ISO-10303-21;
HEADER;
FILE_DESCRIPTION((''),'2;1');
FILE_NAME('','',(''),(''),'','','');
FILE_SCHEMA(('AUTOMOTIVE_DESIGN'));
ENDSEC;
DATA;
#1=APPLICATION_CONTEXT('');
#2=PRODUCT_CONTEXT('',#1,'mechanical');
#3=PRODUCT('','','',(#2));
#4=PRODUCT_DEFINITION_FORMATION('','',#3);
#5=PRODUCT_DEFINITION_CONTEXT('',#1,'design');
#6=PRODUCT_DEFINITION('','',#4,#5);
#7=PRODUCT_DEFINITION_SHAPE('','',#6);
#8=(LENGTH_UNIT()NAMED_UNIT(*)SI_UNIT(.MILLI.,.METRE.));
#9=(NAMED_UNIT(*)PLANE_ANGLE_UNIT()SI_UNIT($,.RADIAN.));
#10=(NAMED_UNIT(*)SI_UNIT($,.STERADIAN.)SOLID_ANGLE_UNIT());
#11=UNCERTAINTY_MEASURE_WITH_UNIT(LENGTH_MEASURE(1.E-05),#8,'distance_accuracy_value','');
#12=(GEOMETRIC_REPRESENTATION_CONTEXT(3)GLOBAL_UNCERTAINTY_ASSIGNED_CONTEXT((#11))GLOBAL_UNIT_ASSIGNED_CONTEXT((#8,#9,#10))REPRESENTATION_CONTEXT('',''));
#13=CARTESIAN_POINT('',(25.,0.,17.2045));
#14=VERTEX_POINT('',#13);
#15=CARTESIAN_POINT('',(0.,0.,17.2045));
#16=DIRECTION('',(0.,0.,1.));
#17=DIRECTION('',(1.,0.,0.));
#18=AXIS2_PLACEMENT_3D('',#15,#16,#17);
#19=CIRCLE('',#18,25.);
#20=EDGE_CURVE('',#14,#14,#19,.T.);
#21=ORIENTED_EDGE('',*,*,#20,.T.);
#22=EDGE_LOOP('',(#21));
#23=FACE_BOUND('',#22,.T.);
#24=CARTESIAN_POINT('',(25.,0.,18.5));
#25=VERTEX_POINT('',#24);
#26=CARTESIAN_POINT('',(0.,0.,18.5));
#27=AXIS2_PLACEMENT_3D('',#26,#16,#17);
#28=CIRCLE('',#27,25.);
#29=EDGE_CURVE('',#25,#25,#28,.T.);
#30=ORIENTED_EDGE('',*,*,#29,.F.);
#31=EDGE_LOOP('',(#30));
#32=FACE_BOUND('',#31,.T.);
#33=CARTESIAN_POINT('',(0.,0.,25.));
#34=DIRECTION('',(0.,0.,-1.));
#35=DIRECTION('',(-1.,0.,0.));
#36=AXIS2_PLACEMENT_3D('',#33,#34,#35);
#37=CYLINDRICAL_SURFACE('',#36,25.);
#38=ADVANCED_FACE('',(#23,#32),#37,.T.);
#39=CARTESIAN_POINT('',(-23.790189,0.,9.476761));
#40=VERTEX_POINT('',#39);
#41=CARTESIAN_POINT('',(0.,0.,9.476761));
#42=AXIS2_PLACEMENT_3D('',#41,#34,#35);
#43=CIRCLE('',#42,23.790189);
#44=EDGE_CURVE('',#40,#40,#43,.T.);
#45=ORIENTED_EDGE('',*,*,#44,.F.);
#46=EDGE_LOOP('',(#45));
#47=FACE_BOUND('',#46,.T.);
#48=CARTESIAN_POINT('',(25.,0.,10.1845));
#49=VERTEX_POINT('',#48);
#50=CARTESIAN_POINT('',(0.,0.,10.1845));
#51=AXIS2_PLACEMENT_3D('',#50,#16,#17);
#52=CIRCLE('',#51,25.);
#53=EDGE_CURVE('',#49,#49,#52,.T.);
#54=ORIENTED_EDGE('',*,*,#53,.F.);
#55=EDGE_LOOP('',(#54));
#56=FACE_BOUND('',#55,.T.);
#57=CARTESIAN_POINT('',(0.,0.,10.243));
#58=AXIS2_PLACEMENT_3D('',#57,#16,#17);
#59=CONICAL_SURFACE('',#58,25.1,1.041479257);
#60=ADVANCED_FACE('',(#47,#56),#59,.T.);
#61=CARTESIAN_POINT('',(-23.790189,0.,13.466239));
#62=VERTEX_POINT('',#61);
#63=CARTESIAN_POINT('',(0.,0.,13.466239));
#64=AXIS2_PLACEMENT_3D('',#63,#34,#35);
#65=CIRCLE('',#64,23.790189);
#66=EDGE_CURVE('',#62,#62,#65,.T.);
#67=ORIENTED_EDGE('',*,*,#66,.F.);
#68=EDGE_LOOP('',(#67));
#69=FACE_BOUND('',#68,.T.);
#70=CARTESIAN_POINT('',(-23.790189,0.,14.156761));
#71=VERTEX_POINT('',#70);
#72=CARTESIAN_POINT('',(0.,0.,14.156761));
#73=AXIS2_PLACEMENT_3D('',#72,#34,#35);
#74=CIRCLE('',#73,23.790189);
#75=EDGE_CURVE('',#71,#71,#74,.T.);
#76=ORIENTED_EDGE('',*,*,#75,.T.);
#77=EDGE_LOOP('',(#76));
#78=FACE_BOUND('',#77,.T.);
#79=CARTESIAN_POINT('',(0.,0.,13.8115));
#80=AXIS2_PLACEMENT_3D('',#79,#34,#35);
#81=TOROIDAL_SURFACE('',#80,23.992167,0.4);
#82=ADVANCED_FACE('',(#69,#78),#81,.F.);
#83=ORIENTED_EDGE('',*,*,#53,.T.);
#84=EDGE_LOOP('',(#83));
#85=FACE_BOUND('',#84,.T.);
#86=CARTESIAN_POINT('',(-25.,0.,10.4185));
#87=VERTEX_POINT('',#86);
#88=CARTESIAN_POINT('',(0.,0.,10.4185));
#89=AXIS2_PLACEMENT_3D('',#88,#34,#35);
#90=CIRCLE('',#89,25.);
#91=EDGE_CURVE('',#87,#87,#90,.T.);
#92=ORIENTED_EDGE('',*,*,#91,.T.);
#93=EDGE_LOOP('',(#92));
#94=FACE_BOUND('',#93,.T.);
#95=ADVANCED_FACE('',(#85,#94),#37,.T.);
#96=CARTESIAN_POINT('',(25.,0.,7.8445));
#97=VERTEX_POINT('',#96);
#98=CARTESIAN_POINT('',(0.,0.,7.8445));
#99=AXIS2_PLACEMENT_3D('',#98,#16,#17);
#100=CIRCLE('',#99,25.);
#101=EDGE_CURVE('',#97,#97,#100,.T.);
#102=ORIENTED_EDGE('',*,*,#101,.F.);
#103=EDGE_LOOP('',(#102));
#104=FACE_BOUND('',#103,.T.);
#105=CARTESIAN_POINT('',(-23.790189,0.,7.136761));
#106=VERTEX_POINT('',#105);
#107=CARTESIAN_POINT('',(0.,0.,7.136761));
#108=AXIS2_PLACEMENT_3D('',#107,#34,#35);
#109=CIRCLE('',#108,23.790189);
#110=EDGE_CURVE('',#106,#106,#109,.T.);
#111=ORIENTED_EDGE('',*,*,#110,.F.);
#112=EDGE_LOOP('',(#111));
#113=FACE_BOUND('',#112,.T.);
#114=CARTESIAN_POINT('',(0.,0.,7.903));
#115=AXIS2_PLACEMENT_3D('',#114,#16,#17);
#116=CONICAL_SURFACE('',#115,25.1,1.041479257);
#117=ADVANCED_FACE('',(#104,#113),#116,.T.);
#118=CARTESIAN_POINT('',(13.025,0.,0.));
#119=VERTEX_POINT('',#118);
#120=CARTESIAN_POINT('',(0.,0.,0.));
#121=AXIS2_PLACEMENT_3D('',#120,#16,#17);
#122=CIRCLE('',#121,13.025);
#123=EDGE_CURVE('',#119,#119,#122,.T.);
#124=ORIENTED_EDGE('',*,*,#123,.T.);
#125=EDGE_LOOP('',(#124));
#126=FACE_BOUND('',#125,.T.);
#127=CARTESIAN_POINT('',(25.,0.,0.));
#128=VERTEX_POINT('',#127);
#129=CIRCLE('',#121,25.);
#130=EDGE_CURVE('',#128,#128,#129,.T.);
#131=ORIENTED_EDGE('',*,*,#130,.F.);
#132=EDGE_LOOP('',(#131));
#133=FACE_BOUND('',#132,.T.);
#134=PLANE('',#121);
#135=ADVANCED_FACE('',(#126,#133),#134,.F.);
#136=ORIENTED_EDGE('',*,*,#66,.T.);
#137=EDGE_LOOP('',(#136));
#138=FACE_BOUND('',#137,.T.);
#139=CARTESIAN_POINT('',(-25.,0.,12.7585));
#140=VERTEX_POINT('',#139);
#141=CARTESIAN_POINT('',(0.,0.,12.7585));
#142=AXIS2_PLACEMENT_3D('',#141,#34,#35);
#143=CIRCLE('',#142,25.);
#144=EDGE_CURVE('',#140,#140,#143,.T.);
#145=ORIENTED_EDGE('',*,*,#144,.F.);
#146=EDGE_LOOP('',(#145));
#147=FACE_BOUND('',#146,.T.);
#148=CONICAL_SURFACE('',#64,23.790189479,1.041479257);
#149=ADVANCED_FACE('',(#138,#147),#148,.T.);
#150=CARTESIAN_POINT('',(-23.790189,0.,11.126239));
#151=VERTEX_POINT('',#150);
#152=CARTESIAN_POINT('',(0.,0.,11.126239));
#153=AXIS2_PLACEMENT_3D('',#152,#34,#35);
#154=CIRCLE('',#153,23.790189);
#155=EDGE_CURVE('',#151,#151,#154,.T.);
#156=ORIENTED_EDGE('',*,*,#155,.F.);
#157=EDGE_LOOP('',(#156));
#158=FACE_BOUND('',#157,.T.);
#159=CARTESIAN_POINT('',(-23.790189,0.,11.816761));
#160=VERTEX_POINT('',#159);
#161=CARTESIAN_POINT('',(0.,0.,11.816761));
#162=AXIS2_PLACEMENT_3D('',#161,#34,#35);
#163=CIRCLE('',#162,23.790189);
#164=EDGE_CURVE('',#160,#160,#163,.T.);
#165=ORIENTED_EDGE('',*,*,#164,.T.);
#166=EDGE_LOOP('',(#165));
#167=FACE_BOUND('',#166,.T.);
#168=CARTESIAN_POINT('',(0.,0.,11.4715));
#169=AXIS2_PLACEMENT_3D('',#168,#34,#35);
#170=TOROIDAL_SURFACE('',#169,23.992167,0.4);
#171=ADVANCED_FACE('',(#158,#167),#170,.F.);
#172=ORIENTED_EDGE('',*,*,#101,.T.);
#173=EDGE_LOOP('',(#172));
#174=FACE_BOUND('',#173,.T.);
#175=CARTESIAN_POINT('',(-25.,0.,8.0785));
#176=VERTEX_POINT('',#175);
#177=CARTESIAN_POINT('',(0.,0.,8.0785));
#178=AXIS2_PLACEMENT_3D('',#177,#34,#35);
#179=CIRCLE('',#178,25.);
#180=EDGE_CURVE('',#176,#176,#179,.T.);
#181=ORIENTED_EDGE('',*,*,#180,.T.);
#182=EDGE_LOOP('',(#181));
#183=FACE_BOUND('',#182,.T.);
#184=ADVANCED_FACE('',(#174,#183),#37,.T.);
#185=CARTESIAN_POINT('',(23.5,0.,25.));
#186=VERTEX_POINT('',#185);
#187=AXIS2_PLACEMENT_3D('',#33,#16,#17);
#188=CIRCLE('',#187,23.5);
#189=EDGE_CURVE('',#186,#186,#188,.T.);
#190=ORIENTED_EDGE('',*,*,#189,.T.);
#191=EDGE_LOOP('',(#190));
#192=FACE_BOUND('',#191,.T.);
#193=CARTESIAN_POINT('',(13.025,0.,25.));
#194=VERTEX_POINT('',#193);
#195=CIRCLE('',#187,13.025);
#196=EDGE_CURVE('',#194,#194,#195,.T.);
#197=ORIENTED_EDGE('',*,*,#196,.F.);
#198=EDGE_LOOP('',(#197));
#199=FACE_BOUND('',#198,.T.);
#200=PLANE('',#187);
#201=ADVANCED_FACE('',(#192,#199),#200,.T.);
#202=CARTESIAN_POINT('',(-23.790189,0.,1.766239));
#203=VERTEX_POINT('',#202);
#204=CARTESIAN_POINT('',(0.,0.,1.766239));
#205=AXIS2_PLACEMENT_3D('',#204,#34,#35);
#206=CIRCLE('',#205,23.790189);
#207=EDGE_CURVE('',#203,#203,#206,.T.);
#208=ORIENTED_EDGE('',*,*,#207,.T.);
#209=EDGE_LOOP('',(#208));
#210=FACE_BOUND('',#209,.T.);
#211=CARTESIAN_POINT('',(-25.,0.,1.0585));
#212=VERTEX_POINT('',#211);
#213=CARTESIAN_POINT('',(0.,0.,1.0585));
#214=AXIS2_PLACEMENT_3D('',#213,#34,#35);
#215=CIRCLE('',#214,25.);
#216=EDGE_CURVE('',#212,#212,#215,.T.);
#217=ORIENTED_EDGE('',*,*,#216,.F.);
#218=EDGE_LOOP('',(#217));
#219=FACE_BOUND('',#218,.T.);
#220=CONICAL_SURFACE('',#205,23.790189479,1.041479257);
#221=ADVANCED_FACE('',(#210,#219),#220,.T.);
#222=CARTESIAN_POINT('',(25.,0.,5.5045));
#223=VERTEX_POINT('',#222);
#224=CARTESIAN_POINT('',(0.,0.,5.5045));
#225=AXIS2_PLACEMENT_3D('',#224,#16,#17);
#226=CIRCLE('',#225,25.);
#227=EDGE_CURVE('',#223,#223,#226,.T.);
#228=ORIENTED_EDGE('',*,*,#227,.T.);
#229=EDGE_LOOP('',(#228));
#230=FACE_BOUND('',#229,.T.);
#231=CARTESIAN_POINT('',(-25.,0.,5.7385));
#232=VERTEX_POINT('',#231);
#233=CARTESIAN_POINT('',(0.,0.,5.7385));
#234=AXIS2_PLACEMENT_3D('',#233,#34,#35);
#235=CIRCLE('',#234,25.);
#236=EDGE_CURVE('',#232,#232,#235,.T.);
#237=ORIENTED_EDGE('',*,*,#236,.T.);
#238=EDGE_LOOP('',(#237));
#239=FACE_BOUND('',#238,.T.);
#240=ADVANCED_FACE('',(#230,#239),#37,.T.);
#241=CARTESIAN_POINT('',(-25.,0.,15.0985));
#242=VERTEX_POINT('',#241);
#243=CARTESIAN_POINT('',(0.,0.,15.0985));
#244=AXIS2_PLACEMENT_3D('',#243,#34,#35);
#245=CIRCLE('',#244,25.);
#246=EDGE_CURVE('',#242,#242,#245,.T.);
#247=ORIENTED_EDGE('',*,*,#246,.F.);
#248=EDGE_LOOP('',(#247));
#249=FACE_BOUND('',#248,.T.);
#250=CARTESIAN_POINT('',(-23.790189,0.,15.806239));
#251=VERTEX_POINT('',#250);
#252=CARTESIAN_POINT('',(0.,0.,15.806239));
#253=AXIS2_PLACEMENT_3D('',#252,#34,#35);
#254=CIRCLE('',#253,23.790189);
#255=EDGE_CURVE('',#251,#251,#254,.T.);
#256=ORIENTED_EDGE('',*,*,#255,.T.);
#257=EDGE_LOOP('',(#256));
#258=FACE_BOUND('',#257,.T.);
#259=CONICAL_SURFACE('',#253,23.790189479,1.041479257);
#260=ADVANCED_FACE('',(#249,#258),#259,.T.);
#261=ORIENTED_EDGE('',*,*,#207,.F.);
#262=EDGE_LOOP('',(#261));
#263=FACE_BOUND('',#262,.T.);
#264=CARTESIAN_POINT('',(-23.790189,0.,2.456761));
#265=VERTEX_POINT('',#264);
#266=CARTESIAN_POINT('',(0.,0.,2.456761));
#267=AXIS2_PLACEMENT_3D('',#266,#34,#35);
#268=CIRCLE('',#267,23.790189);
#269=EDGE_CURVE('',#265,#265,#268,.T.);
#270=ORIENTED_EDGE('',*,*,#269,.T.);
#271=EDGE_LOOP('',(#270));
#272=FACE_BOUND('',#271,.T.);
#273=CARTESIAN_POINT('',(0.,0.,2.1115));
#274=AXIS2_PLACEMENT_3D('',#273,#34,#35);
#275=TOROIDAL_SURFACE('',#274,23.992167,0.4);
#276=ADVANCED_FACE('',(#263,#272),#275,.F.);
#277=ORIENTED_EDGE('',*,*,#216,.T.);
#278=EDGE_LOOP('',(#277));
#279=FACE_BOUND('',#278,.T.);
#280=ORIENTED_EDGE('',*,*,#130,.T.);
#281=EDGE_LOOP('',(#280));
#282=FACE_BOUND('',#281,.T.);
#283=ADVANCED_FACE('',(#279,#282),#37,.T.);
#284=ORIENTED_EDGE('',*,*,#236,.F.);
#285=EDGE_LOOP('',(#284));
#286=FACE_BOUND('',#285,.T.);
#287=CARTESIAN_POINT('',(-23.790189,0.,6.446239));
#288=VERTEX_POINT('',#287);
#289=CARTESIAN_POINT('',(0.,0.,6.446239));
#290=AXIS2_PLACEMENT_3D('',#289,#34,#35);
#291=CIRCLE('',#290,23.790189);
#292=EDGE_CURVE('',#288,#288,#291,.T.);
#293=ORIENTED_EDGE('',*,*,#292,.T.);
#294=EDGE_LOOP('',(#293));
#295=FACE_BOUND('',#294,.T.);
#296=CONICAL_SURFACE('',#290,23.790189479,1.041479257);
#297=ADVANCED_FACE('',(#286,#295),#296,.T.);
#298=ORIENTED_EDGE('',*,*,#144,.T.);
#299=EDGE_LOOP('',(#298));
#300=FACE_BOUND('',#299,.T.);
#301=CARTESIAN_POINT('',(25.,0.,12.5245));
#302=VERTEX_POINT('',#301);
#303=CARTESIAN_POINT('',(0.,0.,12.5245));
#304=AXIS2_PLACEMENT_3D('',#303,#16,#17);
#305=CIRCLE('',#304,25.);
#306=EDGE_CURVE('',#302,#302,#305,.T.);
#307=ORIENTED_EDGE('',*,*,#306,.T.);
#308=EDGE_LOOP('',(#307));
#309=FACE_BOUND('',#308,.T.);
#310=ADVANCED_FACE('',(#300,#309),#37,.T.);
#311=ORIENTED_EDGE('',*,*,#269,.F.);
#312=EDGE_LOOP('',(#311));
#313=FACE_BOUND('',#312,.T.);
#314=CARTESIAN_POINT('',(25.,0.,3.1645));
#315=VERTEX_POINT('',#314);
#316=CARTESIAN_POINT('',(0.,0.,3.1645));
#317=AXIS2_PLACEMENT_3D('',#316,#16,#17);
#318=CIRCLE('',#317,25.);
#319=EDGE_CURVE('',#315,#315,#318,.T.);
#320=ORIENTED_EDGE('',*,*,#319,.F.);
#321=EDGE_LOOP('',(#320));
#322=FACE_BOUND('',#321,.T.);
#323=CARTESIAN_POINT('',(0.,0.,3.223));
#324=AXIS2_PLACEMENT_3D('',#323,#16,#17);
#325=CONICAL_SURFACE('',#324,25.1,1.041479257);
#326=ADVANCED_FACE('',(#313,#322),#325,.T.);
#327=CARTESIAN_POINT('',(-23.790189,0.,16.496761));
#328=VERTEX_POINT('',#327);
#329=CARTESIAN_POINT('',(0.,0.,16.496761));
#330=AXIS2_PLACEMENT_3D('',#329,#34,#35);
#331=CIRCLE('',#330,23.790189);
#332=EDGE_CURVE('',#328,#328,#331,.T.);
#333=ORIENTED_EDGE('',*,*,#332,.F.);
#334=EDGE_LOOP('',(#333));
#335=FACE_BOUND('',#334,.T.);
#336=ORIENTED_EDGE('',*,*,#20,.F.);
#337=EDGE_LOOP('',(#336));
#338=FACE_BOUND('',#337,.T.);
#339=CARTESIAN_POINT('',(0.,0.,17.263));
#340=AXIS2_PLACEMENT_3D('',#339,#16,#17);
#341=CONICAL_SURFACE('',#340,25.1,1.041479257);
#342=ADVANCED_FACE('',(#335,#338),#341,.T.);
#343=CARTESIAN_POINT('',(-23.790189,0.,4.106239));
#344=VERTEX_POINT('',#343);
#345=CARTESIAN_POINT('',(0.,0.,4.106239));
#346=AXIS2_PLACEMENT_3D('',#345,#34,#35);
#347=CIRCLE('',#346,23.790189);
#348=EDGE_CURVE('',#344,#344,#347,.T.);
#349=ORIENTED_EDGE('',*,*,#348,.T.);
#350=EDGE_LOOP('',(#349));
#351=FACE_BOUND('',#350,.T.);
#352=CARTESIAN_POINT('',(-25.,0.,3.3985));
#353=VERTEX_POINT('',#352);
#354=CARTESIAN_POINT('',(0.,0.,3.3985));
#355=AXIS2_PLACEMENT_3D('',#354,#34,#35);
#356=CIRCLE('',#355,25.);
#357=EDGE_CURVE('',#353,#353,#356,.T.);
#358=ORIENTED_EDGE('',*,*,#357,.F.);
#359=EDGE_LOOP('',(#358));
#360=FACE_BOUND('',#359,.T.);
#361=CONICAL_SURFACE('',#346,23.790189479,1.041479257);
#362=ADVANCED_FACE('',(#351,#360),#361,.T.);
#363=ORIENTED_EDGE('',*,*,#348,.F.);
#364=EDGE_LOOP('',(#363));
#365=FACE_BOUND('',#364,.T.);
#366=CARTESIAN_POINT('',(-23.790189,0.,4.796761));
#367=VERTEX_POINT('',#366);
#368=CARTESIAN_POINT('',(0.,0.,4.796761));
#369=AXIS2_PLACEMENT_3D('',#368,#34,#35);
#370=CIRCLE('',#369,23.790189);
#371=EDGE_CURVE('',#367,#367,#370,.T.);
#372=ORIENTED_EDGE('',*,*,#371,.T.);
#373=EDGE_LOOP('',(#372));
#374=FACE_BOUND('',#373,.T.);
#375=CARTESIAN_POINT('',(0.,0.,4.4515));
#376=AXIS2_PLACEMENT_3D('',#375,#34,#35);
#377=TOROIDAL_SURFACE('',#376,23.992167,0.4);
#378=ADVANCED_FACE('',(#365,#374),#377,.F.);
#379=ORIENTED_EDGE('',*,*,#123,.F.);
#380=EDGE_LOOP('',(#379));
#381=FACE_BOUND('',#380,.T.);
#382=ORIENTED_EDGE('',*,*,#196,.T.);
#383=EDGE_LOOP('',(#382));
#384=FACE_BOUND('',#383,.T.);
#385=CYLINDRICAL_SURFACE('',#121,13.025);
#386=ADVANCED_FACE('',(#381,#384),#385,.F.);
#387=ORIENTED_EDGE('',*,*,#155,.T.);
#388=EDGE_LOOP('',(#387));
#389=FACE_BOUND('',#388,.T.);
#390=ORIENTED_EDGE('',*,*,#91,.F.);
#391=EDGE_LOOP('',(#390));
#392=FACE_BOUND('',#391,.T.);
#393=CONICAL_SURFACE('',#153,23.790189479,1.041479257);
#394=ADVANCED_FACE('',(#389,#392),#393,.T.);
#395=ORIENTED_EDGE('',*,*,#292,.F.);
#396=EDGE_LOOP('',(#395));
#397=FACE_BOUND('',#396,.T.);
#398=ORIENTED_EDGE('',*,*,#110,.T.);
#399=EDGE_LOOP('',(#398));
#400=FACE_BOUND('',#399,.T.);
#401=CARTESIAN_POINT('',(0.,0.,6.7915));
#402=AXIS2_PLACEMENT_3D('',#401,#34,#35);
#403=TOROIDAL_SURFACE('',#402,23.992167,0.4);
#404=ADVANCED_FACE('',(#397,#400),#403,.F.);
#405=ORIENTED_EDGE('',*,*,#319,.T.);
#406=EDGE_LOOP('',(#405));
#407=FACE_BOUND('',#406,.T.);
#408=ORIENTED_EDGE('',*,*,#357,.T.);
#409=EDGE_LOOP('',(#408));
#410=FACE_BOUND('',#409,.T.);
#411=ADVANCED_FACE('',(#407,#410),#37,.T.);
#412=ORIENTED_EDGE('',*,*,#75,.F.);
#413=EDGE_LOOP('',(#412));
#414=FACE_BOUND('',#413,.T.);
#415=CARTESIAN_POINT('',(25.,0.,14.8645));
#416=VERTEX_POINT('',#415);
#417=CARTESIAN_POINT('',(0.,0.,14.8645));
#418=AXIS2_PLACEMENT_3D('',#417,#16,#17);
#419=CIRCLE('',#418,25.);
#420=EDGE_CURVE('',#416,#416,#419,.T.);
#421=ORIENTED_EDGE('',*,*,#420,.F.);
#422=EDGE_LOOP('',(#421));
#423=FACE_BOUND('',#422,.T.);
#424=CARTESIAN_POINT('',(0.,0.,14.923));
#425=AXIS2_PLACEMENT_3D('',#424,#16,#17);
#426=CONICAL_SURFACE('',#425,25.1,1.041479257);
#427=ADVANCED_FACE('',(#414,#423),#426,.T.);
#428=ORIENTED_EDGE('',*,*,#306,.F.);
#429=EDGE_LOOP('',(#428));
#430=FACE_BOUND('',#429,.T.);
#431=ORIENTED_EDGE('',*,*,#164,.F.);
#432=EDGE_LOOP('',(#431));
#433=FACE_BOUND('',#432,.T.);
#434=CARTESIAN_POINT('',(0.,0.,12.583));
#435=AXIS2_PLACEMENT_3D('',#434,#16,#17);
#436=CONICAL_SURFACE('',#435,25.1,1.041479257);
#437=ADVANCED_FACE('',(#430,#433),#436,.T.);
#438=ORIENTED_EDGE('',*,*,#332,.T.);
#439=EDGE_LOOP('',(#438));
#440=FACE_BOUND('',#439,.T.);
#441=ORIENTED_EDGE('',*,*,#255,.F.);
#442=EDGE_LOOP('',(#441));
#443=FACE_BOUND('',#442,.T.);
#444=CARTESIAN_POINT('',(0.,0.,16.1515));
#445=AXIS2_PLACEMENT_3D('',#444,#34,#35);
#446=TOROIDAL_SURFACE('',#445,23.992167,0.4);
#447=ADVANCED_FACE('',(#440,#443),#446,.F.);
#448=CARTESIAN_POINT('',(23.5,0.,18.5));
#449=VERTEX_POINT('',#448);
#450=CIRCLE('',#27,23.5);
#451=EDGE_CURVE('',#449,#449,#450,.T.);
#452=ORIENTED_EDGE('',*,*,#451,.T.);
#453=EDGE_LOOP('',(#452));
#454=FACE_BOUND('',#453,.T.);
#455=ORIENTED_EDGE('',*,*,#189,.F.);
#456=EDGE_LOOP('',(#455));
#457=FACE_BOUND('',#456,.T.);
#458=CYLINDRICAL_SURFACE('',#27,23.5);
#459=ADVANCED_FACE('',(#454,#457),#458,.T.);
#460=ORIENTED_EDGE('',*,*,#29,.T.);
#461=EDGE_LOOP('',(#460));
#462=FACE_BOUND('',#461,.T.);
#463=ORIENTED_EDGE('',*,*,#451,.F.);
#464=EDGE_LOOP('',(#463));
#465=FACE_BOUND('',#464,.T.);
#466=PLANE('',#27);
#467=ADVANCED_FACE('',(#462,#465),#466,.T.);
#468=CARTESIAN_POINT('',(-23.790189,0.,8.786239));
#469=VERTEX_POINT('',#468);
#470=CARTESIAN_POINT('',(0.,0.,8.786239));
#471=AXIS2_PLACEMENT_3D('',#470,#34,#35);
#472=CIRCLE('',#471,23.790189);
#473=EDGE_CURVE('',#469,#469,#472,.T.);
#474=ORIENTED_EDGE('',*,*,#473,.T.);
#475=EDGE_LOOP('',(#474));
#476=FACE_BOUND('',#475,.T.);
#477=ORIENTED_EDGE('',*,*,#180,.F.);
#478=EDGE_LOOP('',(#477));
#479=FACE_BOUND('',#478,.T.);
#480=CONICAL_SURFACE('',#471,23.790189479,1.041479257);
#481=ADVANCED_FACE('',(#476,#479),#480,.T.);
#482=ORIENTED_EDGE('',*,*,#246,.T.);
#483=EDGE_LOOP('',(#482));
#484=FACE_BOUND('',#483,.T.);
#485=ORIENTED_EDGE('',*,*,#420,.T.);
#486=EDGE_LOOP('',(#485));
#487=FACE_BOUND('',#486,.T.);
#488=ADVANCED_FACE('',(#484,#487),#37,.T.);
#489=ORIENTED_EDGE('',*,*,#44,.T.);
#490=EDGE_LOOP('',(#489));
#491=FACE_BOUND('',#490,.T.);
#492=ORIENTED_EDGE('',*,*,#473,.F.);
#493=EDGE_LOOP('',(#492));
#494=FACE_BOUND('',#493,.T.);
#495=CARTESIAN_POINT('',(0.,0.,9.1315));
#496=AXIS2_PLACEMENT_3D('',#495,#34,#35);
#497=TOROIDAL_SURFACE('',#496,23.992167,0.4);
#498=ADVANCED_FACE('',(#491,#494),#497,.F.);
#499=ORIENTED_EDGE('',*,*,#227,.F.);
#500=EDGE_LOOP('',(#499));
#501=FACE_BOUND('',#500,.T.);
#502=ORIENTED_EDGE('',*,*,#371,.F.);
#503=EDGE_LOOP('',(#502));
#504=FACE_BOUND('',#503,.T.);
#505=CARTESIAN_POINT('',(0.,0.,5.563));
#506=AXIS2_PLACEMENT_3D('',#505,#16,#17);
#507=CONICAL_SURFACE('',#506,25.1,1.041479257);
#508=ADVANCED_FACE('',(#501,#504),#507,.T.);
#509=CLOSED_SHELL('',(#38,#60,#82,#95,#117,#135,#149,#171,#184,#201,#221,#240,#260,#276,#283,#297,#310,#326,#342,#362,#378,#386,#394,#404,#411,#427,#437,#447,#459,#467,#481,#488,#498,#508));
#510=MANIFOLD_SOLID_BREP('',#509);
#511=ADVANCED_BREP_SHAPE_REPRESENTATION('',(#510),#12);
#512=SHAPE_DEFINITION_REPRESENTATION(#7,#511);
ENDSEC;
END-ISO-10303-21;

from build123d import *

# Parameters (mm, degrees)
SKETCH_1_R          = 25
EXTRUDE_1_DEPTH     = 25
SKETCH_2_R          = 25
SKETCH_2_R_2        = 23.5
CUT_EXTRUDE_1_DEPTH = 6.5
SKETCH_3_R          = 13.025
CUT_EXTRUDE_2_DEPTH = 25


with BuildPart() as part:
    # 草图1 → 凸台-拉伸1 (new body)
    with BuildSketch(Plane.XY):
        Circle(SKETCH_1_R)
    extrude(amount=EXTRUDE_1_DEPTH)

    # 草图2 → 切除-拉伸1 (cut)
    with BuildSketch(Plane.XY.offset(25)):
        Circle(SKETCH_2_R)
        Circle(SKETCH_2_R_2, mode=Mode.SUBTRACT)
    extrude(amount=-CUT_EXTRUDE_1_DEPTH, mode=Mode.SUBTRACT)

    # 草图3 → 切除-拉伸2 (cut)
    with BuildSketch(Plane.XY.offset(25)):
        Circle(SKETCH_3_R)
    extrude(amount=-CUT_EXTRUDE_2_DEPTH, mode=Mode.SUBTRACT)

    # 草图4 → 切除-旋转2 (revolve, cut)
    with BuildSketch(Plane(origin=(0, 0, 0), x_dir=(0, 0, -1), z_dir=(1, 0, 0))):
        with BuildLine():
            Line((-3.223, 25.1), (-1, 25.1))
            Line((-1, 25.1), (-1.766239155, 23.790189479))
            ThreePointArc((-1.766239155, 23.790189479), (-2.1115, 23.592167074), (-2.456760845, 23.790189479))
            Line((-2.456760845, 23.790189479), (-3.223, 25.1))
        make_face()
        with BuildLine():
            Line((-5.563, 25.1), (-3.34, 25.1))
            Line((-3.34, 25.1), (-4.106239155, 23.790189479))
            ThreePointArc((-4.106239155, 23.790189479), (-4.4515, 23.592167074), (-4.796760845, 23.790189479))
            Line((-4.796760845, 23.790189479), (-5.563, 25.1))
        make_face()
        with BuildLine():
            Line((-7.903, 25.1), (-5.68, 25.1))
            Line((-5.68, 25.1), (-6.446239155, 23.790189479))
            ThreePointArc((-6.446239155, 23.790189479), (-6.7915, 23.592167074), (-7.136760845, 23.790189479))
            Line((-7.136760845, 23.790189479), (-7.903, 25.1))
        make_face()
        with BuildLine():
            Line((-10.243, 25.1), (-8.02, 25.1))
            Line((-8.02, 25.1), (-8.786239155, 23.790189479))
            ThreePointArc((-8.786239155, 23.790189479), (-9.1315, 23.592167074), (-9.476760845, 23.790189479))
            Line((-9.476760845, 23.790189479), (-10.243, 25.1))
        make_face()
        with BuildLine():
            Line((-12.583, 25.1), (-10.36, 25.1))
            Line((-10.36, 25.1), (-11.126239155, 23.790189479))
            ThreePointArc((-11.126239155, 23.790189479), (-11.4715, 23.592167074), (-11.816760845, 23.790189479))
            Line((-11.816760845, 23.790189479), (-12.583, 25.1))
        make_face()
        with BuildLine():
            Line((-14.923, 25.1), (-12.7, 25.1))
            Line((-12.7, 25.1), (-13.466239155, 23.790189479))
            ThreePointArc((-13.466239155, 23.790189479), (-13.8115, 23.592167074), (-14.156760845, 23.790189479))
            Line((-14.156760845, 23.790189479), (-14.923, 25.1))
        make_face()
        with BuildLine():
            Line((-17.263, 25.1), (-15.04, 25.1))
            Line((-15.04, 25.1), (-15.806239155, 23.790189479))
            ThreePointArc((-15.806239155, 23.790189479), (-16.1515, 23.592167074), (-16.496760845, 23.790189479))
            Line((-16.496760845, 23.790189479), (-17.263, 25.1))
        make_face()
    revolve(axis=Axis((0, 0, 0), (0, 0, 1)), mode=Mode.SUBTRACT)


solid = part.part
